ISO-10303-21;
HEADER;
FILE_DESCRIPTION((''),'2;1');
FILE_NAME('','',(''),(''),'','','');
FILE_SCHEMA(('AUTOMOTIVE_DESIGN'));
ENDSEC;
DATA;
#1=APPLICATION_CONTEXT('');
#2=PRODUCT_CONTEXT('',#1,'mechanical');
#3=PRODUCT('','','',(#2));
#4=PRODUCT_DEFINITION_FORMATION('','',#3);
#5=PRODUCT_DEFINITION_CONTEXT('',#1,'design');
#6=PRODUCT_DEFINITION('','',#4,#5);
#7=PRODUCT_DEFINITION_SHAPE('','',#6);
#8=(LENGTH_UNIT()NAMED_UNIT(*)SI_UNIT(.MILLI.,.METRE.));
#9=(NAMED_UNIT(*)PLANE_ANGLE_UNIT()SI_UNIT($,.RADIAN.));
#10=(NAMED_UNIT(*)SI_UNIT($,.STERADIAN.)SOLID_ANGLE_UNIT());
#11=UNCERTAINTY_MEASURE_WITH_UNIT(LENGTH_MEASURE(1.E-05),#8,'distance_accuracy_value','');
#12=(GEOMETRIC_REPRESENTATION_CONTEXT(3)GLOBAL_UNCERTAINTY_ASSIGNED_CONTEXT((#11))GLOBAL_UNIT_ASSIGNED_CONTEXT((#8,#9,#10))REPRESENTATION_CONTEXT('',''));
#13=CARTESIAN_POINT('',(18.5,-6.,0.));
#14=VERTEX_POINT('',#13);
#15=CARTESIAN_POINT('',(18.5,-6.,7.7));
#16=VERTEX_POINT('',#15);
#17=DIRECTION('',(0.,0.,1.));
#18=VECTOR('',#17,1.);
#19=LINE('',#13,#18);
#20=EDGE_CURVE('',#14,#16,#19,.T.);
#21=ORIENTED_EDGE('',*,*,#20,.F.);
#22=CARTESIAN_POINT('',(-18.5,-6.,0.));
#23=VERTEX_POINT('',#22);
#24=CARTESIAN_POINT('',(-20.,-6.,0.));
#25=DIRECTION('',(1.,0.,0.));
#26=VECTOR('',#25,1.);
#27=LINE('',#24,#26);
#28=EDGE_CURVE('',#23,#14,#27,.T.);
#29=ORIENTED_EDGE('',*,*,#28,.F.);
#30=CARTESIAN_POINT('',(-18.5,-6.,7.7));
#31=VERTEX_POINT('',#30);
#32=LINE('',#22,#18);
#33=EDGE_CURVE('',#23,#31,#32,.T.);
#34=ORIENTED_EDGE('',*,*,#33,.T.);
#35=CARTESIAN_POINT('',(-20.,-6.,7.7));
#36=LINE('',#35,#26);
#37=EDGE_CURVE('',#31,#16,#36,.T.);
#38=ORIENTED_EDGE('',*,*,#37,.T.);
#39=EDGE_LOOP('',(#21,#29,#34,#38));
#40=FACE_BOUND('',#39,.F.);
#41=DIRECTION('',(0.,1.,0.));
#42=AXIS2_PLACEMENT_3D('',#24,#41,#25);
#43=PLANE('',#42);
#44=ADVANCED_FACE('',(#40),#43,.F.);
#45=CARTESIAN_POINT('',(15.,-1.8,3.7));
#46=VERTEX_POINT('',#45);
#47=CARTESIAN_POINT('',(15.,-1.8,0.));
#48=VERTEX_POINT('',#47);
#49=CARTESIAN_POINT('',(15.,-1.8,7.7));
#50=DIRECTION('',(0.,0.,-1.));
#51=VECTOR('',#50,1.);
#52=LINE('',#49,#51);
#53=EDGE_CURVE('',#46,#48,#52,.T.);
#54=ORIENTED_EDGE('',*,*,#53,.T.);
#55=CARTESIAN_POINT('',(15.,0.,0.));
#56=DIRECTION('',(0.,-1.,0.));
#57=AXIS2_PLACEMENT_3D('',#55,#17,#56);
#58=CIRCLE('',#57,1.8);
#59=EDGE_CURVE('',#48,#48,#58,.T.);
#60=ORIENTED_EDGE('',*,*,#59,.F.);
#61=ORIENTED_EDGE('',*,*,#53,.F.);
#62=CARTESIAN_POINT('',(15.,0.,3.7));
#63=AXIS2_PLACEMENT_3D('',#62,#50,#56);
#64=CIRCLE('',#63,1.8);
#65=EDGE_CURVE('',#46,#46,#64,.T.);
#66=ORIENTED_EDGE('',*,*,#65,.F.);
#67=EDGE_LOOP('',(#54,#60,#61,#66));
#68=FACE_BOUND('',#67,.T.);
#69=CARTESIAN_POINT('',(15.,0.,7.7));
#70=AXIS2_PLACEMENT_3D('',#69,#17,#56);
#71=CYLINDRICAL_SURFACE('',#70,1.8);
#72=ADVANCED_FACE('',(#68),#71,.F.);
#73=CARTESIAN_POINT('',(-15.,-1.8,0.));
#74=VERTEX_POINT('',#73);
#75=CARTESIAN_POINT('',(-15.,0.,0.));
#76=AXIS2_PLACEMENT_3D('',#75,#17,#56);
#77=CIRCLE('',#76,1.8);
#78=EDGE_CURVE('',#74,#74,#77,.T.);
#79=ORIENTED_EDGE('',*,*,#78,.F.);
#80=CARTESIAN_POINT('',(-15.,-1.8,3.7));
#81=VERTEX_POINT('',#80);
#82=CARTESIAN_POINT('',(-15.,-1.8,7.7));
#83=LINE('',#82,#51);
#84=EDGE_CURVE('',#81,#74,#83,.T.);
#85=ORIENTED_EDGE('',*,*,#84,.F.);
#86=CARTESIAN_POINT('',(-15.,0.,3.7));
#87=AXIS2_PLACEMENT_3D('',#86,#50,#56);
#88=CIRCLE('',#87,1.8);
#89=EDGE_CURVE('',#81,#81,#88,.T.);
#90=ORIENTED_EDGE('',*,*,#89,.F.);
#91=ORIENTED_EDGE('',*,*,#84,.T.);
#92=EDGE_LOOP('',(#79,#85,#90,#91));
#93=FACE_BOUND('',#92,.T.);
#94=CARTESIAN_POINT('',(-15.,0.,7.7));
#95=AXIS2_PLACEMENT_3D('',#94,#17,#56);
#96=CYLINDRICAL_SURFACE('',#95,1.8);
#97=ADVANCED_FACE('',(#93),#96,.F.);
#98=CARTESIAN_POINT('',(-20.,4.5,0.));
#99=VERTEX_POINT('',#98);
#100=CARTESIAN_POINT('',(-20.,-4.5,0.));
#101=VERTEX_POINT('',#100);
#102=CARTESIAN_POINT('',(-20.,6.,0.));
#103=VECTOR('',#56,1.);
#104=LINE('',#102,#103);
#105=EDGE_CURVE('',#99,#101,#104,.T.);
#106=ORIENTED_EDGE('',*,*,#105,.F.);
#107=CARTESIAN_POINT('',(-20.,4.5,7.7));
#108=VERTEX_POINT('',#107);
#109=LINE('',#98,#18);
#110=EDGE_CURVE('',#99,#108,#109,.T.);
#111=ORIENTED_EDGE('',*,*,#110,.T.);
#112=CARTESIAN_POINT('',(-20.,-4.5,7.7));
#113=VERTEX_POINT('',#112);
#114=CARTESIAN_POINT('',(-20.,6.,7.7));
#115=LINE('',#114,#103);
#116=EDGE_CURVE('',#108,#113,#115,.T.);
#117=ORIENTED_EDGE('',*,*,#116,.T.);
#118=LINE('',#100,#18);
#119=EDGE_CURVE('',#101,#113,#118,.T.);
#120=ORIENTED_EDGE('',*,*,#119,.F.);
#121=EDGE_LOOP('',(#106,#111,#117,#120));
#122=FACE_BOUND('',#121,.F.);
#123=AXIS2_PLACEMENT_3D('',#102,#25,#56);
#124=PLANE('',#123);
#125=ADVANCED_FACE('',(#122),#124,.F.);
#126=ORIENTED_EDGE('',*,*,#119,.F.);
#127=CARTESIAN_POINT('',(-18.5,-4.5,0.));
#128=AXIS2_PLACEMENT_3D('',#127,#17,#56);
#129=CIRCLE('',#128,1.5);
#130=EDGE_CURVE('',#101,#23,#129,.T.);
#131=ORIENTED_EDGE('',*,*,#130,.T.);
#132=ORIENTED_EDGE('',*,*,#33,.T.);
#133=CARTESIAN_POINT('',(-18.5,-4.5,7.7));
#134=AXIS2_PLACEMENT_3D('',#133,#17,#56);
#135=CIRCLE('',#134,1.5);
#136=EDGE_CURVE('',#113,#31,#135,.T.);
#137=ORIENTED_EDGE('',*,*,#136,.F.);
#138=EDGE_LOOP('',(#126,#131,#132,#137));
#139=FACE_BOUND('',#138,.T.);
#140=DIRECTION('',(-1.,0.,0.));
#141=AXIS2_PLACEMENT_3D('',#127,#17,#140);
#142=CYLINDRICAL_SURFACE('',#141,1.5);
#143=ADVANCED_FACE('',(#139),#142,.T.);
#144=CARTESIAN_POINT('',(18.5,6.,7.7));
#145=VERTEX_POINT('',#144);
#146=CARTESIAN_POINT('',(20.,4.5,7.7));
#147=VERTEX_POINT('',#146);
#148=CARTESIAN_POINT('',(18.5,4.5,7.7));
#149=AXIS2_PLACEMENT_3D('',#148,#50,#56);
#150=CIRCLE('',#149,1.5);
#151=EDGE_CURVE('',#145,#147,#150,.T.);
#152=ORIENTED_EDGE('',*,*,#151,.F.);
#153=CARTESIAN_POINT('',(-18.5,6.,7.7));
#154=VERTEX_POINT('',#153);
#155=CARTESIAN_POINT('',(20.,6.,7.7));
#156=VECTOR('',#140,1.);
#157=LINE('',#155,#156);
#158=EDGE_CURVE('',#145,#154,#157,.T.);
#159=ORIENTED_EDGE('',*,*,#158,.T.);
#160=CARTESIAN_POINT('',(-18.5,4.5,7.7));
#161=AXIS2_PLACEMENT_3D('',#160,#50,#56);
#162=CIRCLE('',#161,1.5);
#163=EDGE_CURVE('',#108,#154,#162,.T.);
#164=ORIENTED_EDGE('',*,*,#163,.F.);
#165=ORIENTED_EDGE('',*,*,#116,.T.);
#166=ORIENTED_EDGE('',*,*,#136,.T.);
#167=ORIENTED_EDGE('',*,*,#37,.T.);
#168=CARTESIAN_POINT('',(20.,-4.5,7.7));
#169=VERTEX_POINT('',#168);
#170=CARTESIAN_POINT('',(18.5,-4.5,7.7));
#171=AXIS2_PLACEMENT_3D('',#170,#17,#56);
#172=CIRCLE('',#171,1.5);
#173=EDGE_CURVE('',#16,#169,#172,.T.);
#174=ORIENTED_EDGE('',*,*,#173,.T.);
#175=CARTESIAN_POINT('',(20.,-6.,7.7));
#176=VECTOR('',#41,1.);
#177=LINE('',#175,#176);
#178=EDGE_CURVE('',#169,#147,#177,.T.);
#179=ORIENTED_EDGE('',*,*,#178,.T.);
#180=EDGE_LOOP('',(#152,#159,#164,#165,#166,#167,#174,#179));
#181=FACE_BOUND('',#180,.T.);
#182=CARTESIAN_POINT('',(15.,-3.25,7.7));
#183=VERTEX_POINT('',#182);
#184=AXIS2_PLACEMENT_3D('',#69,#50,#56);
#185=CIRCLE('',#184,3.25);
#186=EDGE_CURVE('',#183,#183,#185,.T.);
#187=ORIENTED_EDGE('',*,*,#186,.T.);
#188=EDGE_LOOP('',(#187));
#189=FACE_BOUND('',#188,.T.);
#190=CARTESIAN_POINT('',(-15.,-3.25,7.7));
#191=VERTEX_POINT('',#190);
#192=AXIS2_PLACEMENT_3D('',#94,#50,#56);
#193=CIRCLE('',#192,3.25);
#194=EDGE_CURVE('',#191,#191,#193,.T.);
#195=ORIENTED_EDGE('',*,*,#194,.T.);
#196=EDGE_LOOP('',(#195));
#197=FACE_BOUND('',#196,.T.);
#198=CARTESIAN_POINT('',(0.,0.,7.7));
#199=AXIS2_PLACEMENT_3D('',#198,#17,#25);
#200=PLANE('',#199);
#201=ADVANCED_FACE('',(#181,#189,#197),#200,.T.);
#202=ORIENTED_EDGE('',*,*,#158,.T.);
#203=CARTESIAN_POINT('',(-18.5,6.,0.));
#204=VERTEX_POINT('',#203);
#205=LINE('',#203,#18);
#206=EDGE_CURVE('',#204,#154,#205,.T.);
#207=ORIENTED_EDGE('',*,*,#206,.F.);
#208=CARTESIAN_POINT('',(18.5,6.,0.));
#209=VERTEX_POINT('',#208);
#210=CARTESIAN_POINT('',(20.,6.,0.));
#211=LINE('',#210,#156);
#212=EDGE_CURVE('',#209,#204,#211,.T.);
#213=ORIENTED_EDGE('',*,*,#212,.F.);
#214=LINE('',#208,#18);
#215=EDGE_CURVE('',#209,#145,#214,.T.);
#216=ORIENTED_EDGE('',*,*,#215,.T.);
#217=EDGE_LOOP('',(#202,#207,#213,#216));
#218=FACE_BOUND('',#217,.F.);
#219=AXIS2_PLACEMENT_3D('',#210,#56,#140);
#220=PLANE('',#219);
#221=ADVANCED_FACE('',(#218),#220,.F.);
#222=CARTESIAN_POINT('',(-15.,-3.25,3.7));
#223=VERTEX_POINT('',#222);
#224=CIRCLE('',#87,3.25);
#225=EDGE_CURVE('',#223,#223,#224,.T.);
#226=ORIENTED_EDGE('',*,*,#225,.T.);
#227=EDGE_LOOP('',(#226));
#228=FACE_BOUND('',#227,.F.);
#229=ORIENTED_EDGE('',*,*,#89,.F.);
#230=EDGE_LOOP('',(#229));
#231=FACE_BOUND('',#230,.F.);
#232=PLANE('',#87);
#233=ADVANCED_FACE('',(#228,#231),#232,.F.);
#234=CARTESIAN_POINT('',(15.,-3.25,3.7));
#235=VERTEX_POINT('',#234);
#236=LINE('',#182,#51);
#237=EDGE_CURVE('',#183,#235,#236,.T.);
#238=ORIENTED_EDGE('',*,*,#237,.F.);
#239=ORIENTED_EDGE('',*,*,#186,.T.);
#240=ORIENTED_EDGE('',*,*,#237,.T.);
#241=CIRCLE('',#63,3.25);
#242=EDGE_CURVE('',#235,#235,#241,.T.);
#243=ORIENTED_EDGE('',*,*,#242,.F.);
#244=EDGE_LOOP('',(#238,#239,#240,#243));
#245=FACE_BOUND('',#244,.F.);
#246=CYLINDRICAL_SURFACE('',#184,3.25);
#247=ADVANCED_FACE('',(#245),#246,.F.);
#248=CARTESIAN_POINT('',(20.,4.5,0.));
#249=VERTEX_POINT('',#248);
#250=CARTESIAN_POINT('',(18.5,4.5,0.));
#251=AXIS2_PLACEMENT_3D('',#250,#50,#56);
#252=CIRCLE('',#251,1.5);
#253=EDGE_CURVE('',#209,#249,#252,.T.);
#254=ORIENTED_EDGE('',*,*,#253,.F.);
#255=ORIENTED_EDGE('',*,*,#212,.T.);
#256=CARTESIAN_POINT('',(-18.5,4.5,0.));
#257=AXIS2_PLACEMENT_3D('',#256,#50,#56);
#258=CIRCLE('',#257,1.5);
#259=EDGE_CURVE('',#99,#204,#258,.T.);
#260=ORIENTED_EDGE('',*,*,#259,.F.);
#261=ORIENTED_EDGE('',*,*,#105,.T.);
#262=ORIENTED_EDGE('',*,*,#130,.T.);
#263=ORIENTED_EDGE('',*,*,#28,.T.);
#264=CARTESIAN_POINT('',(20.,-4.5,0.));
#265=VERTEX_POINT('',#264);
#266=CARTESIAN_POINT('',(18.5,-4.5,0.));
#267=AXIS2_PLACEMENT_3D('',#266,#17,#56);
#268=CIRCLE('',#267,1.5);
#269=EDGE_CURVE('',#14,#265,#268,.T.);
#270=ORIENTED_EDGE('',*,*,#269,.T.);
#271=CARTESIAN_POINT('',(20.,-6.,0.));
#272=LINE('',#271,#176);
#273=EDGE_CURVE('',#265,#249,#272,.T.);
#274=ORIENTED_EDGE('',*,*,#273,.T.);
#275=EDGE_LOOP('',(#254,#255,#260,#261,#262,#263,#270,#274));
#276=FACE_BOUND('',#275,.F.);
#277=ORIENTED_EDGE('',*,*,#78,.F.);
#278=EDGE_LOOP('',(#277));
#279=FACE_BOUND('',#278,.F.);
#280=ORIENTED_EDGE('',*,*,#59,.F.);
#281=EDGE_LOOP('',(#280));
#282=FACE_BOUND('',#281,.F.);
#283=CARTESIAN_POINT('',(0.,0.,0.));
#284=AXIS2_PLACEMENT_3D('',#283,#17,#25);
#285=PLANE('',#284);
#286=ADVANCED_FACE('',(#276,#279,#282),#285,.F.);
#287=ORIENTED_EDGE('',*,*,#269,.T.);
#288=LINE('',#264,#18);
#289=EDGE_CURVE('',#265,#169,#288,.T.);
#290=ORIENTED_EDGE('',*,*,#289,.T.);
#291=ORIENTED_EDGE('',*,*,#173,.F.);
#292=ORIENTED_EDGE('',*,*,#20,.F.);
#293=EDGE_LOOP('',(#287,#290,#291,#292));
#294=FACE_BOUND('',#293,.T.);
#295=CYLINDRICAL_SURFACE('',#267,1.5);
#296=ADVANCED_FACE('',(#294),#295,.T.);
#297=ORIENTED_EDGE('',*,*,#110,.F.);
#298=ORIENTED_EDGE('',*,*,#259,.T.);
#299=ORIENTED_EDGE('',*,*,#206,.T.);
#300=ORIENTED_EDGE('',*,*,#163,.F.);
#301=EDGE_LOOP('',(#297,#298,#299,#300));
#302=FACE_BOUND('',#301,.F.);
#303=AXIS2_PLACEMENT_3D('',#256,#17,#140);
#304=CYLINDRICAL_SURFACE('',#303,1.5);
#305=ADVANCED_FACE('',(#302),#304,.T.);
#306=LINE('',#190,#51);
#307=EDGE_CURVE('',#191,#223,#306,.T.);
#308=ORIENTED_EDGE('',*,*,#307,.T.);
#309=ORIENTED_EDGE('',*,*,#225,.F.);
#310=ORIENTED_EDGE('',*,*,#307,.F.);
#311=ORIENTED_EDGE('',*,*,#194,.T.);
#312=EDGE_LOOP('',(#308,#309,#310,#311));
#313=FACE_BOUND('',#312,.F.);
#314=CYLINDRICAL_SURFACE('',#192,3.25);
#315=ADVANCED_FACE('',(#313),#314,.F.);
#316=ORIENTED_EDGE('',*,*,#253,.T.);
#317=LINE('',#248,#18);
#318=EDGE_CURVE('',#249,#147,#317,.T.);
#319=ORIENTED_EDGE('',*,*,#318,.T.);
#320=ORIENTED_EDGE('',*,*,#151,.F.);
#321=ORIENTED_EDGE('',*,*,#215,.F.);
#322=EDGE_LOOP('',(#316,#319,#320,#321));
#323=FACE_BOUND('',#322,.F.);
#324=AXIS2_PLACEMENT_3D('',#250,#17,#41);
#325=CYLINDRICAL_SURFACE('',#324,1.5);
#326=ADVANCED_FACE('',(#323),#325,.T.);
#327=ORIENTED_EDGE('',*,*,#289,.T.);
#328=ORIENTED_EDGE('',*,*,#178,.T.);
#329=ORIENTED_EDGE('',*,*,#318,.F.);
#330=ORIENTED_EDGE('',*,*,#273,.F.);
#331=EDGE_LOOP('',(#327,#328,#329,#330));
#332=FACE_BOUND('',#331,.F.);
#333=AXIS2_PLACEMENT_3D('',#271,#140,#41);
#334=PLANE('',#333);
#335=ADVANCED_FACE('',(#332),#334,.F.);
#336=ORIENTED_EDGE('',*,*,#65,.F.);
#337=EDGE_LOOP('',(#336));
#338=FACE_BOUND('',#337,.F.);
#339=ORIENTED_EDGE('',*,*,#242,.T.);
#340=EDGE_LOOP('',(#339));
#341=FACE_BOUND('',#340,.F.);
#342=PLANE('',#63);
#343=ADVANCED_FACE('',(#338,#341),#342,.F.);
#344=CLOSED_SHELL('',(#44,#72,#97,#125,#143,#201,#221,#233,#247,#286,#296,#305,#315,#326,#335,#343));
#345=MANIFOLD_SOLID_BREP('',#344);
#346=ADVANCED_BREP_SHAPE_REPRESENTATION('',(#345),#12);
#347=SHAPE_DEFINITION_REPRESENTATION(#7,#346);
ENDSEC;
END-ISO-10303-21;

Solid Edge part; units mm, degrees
sketch "Sketch1" plane through (0, 0, 0) normal (0, 0, 1) x (1, 0, 0)
  line L0 (-20, 6) -> (-20, -6)
  line L1 (-20, -6) -> (20, -6)
  line L2 (20, -6) -> (20, 6)
  line L3 (20, 6) -> (-20, 6)
  dimension "D1" = 40
  dimension "D2" = 20
extrude "Protrusion1" add sketch "Sketch1" along normal blind 7.7
hole "Hole_1" at (15, 0, 7.7) direction (0, 0, -1) diameter 3.6 end through all counterbore diameter 6.5 counterbore depth 4
hole "Hole1" at (-15, 0, 7.7) direction (0, 0, -1) diameter 3.6 end through all counterbore diameter 6.5 counterbore depth 4
fillet "Round_1" radius 1.5 4 edges at (20, 6, 3.85) (20, -6, 3.85) (-20, -6, 3.85) (-20, 6, 3.85)
properties material "Acrylic, high impact grade"
